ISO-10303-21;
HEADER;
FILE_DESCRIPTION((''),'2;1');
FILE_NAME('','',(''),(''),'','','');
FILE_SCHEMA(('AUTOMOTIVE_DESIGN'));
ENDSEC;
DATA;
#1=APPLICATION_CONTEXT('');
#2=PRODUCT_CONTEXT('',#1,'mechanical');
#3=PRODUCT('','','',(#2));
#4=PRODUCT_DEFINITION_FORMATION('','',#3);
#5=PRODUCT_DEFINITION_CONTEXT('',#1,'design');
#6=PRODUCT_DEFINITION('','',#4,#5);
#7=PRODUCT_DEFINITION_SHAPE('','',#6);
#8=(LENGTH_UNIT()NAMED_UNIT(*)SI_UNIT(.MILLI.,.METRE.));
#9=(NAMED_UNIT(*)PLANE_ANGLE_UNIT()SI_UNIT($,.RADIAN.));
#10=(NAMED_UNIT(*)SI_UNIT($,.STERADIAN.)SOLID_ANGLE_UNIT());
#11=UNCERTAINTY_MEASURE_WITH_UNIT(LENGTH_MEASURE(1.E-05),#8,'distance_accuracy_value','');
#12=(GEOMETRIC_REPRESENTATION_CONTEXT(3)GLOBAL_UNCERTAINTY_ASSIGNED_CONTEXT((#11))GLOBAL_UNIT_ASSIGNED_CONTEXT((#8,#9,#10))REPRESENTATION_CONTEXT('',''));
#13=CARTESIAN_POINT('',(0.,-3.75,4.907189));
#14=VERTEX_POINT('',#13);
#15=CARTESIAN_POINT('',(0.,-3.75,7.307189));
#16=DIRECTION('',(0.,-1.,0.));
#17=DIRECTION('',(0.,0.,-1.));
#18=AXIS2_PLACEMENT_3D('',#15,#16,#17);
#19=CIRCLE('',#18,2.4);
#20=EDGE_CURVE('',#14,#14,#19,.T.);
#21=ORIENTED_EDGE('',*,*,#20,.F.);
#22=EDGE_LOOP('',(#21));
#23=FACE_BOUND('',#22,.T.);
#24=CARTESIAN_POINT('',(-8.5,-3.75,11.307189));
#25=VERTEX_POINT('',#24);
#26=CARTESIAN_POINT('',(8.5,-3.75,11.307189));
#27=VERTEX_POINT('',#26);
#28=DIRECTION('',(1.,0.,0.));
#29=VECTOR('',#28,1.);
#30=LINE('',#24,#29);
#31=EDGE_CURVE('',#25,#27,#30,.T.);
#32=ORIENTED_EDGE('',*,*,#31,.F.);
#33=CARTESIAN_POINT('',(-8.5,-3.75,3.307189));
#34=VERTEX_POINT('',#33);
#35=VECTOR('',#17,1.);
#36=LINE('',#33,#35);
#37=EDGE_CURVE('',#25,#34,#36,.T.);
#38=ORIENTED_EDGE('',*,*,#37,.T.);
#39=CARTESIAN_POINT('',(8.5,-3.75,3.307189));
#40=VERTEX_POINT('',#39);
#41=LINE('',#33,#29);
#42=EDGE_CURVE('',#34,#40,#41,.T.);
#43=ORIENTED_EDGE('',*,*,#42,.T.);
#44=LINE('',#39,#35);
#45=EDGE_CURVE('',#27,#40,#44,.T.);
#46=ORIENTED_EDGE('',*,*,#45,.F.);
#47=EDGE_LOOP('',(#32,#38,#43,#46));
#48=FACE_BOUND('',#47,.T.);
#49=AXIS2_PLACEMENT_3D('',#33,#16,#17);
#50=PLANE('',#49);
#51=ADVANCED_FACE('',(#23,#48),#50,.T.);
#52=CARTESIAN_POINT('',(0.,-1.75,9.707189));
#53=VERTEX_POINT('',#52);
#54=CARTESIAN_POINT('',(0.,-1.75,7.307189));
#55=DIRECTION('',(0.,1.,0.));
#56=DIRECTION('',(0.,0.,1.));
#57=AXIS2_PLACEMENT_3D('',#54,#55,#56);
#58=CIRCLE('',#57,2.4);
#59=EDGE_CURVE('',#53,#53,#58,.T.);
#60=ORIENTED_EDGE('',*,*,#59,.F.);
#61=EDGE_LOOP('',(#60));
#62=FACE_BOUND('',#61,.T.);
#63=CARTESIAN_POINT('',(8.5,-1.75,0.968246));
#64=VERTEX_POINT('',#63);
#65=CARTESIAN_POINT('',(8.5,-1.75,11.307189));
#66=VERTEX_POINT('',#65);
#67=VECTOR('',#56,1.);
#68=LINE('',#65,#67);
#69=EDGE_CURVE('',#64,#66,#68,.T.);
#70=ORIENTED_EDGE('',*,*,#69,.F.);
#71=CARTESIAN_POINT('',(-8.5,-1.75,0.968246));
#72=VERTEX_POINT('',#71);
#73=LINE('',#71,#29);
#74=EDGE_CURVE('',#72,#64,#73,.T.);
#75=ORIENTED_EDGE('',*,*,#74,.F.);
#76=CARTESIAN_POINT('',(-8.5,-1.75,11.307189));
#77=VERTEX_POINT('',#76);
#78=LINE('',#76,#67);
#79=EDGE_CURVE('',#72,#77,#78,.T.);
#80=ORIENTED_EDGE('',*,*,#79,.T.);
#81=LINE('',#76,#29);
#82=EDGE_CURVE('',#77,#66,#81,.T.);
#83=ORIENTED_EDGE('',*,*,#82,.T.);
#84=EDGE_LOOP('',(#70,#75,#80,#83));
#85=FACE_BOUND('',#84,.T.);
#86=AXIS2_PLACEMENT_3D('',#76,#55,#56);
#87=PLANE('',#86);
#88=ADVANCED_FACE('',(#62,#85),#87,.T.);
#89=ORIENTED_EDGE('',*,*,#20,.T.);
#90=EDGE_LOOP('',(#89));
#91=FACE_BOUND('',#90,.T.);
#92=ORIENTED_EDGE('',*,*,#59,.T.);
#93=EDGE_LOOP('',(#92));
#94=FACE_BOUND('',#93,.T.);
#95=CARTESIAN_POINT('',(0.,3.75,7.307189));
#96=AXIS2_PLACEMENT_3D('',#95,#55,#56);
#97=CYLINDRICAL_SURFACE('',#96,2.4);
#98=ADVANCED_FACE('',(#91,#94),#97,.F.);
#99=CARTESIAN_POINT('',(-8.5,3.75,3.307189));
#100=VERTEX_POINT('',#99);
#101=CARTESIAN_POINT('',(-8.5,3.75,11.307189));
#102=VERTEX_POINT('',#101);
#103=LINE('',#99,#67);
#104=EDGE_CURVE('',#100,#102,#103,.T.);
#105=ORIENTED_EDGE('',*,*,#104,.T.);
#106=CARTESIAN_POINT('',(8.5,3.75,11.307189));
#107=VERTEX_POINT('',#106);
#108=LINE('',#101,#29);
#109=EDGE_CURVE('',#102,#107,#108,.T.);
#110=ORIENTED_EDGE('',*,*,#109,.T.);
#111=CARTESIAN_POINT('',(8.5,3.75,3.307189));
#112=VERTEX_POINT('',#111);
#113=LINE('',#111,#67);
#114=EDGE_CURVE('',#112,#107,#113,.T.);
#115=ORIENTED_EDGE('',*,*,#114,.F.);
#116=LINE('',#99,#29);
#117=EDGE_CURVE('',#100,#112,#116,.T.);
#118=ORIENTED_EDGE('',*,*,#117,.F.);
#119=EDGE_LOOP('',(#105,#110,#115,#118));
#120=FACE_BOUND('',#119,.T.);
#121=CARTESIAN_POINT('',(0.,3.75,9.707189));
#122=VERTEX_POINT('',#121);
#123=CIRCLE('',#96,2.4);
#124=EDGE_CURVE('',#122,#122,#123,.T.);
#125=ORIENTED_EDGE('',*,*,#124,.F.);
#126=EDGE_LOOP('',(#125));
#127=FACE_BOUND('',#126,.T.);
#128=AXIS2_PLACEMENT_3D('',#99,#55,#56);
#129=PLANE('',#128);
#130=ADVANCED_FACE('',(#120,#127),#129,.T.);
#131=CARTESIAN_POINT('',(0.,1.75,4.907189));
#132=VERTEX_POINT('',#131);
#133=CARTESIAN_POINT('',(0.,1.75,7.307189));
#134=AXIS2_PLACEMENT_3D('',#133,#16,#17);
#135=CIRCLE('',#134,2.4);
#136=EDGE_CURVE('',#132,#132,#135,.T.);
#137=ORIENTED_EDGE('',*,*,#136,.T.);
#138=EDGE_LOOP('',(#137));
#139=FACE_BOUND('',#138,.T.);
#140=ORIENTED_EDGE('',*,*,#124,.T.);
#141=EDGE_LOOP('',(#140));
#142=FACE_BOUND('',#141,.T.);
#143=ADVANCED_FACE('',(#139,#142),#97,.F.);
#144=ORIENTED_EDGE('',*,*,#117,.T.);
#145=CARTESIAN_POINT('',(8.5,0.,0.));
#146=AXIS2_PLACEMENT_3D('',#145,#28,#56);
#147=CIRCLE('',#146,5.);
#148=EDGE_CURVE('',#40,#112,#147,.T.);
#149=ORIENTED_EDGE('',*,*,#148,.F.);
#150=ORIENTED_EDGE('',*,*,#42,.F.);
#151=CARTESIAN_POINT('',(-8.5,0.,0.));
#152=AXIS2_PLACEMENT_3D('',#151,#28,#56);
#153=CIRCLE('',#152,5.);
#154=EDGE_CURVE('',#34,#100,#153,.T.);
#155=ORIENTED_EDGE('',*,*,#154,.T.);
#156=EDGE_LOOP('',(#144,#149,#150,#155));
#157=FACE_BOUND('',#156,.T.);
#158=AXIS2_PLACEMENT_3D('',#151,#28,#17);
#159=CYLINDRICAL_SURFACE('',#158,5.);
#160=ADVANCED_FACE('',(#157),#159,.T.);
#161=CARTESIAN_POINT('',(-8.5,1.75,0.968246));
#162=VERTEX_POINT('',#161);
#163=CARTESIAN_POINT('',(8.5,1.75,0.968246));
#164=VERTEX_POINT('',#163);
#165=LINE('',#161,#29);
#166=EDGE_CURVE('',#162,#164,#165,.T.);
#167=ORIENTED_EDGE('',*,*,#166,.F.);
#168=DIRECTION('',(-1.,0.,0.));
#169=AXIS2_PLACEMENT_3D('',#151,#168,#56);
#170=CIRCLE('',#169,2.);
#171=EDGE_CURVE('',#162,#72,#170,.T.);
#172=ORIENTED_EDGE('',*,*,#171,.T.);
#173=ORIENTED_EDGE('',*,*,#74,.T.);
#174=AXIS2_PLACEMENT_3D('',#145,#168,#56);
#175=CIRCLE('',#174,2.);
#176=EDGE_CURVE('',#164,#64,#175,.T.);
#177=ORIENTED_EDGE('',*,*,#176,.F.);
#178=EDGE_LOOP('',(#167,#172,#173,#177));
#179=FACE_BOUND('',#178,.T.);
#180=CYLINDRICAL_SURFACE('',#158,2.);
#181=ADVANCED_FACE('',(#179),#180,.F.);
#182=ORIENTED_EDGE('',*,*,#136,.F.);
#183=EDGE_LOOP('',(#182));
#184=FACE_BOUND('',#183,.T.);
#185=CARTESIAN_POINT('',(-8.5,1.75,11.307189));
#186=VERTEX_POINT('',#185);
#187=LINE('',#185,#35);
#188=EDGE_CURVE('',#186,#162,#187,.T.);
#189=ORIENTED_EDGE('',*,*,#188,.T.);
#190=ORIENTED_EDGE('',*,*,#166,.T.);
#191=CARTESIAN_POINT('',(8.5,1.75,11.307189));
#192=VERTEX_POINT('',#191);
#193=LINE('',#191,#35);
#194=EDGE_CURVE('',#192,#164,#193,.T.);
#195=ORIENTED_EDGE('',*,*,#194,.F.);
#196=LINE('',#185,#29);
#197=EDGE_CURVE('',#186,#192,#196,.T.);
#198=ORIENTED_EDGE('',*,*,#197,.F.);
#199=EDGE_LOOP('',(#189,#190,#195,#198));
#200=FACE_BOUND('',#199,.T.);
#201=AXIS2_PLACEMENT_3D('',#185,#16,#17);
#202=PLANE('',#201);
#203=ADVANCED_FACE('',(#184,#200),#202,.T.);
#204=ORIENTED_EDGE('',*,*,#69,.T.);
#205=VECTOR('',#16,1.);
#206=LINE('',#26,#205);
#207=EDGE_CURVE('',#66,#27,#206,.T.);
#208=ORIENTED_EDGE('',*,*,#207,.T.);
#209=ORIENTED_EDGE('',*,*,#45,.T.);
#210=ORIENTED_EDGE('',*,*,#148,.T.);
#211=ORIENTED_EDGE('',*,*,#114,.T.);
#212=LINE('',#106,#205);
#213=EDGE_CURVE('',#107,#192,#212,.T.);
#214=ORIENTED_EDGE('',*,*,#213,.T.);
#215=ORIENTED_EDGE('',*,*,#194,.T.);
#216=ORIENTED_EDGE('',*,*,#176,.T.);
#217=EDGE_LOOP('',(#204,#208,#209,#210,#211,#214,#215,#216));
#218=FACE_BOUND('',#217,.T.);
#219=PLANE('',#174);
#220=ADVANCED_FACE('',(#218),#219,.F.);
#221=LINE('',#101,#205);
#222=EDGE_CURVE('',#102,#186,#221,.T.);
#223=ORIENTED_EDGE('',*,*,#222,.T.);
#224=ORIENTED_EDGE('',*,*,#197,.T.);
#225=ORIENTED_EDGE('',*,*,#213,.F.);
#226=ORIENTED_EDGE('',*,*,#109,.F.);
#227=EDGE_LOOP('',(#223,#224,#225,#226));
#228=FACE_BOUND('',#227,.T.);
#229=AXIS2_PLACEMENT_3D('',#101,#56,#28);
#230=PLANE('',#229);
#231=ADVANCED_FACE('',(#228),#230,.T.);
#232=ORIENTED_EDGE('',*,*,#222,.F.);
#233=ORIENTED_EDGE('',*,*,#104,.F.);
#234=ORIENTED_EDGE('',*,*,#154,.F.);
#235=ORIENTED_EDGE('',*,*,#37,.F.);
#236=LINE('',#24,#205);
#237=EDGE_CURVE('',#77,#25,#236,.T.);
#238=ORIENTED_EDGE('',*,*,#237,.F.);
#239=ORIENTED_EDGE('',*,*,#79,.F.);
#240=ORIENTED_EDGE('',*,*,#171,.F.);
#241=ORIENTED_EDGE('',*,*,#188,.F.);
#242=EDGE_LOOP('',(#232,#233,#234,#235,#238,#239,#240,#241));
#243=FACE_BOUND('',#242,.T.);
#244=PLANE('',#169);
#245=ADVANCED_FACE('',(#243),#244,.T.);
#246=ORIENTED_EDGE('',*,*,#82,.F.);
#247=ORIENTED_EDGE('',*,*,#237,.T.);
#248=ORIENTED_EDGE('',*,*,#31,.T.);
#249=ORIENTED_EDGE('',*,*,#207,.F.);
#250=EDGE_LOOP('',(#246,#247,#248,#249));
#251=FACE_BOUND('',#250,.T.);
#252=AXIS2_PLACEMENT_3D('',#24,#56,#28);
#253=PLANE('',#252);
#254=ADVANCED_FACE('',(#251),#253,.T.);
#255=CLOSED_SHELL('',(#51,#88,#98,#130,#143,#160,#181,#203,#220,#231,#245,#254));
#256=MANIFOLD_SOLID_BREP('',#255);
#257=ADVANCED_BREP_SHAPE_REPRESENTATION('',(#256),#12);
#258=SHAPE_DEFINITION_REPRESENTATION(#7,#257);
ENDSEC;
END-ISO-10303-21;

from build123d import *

# Parameters (mm, degrees)
BOSS_EXTRU_1_DEPTH      = 8.5
BOSS_EXTRU_1_DEPTH_BACK = 8.5
D_GAGEMENT_M41_D        = 4.8


with BuildPart() as part:
    # Esquisse1 → Boss.-Extru.1 (new, two sides: drawn at the far end of the back side and taken through both)
    with BuildSketch(Plane(origin=(0, 0, 0), x_dir=(0, 0, -1), z_dir=(1, 0, 0)).offset(-BOSS_EXTRU_1_DEPTH_BACK)):
        with BuildLine():
            Line((-3.307189139, 3.75), (-11.307189139, 3.75))
            Line((-11.307189139, 3.75), (-11.307189139, 1.75))
            Line((-11.307189139, 1.75), (-0.968245837, 1.75))
            ThreePointArc((-0.968245837, 1.75), (2, 0), (-0.968245837, -1.75))
            Line((-0.968245837, -1.75), (-11.307189139, -1.75))
            Line((-11.307189139, -1.75), (-11.307189139, -3.75))
            Line((-11.307189139, -3.75), (-3.307189139, -3.75))
            ThreePointArc((-3.307189139, -3.75), (5, 0), (-3.307189139, 3.75))
        make_face()
    extrude(amount=BOSS_EXTRU_1_DEPTH + BOSS_EXTRU_1_DEPTH_BACK)

    # Dégagement M41 (through all)
    with Locations(Plane(origin=(0, 3.75, 0), x_dir=(1, 0, 0), z_dir=(0, 1, 0))):
        with Locations((0, -7.307189139)):
            Hole(D_GAGEMENT_M41_D / 2)


solid = part.part
